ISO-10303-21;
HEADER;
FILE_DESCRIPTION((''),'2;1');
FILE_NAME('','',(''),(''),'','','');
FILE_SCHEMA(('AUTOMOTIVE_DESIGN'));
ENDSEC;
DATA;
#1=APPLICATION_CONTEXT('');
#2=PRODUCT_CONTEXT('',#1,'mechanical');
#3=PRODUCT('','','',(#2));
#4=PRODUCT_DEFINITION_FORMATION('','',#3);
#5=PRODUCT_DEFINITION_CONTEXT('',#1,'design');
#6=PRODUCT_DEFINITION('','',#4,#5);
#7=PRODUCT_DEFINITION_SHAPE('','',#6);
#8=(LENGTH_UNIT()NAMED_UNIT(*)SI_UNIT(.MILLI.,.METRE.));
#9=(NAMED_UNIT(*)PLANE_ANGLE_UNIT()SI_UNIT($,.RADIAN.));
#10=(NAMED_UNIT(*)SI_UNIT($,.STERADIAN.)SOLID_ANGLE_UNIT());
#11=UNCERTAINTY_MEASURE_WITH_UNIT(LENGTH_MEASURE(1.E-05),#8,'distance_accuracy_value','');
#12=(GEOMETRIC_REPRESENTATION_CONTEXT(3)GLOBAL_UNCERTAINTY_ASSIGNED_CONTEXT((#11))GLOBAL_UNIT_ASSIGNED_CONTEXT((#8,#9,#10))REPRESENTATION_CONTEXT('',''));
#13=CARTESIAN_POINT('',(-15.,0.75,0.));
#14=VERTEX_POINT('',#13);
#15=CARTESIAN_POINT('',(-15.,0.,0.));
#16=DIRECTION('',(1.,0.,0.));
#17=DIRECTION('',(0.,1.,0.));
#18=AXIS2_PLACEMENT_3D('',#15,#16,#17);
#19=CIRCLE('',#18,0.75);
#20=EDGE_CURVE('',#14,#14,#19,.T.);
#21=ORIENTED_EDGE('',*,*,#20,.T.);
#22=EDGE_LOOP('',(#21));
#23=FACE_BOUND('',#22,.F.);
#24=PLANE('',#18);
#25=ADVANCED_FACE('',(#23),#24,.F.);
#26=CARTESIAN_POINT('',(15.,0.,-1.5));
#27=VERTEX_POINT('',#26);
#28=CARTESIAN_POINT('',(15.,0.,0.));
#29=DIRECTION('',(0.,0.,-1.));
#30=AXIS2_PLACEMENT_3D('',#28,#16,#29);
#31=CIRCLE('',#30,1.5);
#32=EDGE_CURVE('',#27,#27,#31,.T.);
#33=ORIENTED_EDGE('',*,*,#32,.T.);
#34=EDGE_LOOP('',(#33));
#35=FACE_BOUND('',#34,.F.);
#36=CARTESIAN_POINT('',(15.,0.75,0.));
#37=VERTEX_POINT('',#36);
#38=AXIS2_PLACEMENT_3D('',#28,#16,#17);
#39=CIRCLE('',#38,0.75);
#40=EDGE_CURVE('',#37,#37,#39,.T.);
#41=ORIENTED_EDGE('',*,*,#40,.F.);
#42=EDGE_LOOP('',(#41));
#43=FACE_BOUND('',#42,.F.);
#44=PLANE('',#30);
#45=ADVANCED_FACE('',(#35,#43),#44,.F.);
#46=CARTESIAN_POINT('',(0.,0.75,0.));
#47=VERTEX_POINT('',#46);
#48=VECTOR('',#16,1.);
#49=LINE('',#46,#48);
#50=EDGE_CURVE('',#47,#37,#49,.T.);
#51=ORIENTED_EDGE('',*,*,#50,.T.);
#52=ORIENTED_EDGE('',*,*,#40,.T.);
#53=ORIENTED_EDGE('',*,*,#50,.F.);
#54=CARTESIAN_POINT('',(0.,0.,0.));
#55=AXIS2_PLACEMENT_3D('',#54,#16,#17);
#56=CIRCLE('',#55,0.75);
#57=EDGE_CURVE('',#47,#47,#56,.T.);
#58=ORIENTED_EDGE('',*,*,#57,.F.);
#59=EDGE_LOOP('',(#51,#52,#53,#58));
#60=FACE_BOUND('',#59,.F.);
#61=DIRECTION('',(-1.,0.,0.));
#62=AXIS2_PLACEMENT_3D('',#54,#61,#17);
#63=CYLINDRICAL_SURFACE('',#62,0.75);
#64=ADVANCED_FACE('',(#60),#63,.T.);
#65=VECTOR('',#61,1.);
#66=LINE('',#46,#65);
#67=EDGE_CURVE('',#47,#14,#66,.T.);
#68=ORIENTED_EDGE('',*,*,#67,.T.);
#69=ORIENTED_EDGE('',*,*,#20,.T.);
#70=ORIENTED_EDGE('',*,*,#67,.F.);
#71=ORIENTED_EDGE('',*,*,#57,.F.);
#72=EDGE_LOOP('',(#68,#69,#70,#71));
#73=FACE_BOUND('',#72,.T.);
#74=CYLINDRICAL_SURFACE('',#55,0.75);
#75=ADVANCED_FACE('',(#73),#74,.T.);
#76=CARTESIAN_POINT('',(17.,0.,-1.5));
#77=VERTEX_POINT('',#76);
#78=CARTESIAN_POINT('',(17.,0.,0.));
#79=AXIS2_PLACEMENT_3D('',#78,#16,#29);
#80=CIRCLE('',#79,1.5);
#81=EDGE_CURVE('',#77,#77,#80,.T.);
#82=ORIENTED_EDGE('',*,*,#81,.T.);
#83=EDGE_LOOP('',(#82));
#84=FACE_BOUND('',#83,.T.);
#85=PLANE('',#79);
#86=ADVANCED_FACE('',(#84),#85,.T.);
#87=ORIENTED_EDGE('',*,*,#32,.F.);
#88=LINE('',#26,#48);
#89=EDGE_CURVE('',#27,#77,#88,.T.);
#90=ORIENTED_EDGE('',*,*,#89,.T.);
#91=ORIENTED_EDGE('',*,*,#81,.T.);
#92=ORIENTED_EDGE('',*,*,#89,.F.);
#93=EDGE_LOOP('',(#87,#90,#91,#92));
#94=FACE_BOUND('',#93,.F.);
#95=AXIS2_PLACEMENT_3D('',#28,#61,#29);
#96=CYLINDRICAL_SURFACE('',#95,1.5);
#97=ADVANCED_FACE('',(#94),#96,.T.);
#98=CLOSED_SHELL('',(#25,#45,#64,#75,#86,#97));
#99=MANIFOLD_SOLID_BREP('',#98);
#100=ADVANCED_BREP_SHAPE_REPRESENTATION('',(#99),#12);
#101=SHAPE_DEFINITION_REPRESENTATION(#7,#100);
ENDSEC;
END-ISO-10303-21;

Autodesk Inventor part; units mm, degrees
ref_plane "YZ Plane" through (0, 0, 0) normal (1, 0, 0) x (0, 1, 0)
ref_plane "XZ Plane" through (0, 0, 0) normal (0, 1, 0) x (-1, 0, 0)
ref_plane "XY Plane" through (0, 0, 0) normal (0, 0, 1) x (1, 0, 0)
sketch "Sketch1" plane through (0, 0, 0) normal (1, 0, 0) x (0, 1, 0)
  circle A0 centre (0, 0) radius 0.75
  dimension "d0" = 1.5
extrude "Extrusion1" add sketch "Sketch1" along normal mid plane 30
sketch "Sketch2" plane through (15, 0, 0) normal (1, 0, 0) x (0, 0, -1)
  circle A0 centre (0, 0) radius 1.5
  dimension "d3" = 3
extrude "Extrusion2" add sketch "Sketch2" along normal blind 2
thread "Thread1" size "M1.6x0.35" class "6g" standard "ISO Metric profile" length 1.5
properties part number "then khac"
